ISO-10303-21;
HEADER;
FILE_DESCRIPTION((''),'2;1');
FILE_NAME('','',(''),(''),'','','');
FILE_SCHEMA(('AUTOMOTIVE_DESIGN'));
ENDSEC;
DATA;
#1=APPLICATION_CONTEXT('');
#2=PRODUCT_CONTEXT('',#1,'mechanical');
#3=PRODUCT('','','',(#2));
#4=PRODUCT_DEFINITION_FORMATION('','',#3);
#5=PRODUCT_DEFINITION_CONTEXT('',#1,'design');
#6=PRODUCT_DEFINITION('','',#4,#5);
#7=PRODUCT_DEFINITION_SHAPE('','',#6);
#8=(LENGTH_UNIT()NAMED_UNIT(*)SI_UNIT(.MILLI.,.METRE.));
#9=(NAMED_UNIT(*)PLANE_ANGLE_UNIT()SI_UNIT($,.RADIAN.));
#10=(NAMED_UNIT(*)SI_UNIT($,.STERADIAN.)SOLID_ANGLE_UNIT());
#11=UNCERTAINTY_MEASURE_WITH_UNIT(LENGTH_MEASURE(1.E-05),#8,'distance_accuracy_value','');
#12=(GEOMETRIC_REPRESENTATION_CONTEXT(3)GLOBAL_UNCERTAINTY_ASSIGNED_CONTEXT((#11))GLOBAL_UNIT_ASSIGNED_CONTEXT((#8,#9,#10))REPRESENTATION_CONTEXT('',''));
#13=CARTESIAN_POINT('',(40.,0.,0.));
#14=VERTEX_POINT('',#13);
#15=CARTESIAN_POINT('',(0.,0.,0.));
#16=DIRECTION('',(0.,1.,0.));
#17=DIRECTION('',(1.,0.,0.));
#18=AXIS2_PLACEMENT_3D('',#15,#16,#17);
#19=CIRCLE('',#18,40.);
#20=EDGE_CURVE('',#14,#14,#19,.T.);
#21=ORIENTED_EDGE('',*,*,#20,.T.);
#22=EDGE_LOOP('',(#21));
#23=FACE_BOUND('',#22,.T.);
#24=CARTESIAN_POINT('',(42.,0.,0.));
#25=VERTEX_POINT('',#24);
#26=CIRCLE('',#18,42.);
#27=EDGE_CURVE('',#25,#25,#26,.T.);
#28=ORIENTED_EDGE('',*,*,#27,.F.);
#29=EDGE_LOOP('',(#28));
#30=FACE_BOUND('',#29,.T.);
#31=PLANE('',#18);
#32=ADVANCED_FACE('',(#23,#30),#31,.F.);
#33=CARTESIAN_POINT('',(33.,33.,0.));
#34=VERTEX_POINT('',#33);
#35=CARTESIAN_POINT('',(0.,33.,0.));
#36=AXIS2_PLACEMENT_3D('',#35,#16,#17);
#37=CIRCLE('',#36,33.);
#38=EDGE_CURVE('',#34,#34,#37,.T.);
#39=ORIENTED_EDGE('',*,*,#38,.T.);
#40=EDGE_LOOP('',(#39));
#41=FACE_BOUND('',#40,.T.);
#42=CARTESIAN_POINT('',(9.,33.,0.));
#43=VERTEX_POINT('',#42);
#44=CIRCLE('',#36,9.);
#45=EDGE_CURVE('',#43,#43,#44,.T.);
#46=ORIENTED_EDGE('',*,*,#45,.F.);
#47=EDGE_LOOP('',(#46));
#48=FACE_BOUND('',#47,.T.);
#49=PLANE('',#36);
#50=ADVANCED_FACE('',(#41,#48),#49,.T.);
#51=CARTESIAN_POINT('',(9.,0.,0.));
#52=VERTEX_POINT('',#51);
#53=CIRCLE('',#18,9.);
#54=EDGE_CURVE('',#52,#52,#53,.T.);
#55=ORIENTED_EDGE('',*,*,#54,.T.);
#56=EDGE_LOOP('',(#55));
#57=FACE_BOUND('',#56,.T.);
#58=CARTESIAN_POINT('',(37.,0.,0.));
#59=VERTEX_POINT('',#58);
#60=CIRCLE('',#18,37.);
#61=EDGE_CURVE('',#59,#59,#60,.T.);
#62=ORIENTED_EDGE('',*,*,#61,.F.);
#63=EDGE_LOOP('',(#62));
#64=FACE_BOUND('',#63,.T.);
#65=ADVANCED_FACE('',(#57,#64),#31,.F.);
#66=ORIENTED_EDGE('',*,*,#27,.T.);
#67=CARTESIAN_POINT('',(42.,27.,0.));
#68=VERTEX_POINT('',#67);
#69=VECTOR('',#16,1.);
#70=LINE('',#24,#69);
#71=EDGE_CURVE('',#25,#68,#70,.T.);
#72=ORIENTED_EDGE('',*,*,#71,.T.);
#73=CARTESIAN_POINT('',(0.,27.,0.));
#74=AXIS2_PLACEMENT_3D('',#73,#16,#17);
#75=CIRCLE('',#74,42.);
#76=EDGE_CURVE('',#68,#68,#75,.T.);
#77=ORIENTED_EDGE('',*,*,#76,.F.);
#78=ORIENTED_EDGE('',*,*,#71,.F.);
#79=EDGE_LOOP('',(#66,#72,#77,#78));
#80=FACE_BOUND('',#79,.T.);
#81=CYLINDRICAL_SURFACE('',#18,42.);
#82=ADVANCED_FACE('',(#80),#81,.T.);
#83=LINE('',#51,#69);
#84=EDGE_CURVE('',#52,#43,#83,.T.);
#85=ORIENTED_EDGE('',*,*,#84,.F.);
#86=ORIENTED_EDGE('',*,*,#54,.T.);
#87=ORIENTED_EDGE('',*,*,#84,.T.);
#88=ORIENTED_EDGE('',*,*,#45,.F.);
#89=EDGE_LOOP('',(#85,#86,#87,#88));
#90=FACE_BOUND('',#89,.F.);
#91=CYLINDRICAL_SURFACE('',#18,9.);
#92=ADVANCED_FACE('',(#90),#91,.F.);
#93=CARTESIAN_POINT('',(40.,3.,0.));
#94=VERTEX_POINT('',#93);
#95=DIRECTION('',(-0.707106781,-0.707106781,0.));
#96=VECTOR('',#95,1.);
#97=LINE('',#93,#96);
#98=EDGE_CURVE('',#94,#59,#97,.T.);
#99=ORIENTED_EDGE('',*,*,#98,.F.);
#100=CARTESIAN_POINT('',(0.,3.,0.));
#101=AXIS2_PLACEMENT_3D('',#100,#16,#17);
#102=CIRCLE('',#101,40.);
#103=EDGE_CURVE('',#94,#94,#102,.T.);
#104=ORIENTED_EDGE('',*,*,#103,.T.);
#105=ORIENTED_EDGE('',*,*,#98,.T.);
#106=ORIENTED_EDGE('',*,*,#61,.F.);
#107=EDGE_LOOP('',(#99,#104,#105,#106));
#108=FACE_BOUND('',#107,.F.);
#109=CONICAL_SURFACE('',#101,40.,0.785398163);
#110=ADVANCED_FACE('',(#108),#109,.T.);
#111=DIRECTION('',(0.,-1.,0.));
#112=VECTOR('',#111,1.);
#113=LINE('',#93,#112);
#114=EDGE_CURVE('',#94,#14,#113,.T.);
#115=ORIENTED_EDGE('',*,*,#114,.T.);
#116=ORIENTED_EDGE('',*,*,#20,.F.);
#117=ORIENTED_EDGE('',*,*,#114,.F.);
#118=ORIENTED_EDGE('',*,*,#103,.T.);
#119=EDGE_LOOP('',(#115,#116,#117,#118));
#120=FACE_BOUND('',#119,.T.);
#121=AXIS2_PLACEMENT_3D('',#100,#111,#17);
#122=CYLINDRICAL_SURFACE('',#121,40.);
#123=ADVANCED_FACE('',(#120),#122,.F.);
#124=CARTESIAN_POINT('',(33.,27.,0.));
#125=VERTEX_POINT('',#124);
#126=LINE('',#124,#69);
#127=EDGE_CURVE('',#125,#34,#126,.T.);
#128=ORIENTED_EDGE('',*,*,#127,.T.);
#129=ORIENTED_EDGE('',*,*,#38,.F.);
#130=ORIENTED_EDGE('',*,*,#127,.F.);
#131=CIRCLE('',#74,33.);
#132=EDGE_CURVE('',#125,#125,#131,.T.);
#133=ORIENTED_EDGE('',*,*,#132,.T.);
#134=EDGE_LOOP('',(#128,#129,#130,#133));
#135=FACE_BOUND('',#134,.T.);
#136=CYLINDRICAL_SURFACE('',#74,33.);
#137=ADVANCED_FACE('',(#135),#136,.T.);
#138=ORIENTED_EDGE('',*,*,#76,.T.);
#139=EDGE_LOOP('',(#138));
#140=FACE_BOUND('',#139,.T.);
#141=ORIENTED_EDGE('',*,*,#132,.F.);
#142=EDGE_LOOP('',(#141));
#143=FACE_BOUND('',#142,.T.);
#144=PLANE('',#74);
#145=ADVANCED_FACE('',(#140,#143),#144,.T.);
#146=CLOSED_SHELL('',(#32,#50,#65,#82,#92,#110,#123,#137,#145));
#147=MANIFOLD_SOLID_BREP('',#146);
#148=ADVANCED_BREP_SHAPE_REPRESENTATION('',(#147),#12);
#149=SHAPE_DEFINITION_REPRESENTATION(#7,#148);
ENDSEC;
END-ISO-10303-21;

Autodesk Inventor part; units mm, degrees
ref_plane "YZ Plane" through (0, 0, 0) normal (1, 0, 0) x (0, 1, 0)
ref_plane "XZ Plane" through (0, 0, 0) normal (0, 1, 0) x (-1, 0, 0)
ref_plane "XY Plane" through (0, 0, 0) normal (0, 0, 1) x (1, 0, 0)
sketch "Boceto1" plane through (0, 0, 0) normal (0, 0, 1) x (1, 0, 0)
  line L0 (0, 0) -> (9, 0) construction
  line L1 (9, 0) -> (9, 33)
  line L2 (42, 0) -> (42, 27)
  line L3 (42, 27) -> (33, 27)
  line L4 (33, 27) -> (33, 33)
  line L5 (33, 33) -> (9, 33)
  line L6 (42, 0) -> (42, 3) construction
  line L7 (42, 3) -> (40, 3) construction
  line L8 (40, 3) -> (37, 0)
  line L9 (40, 3) -> (43.5355, 3) construction
  line L10 (40, 3) -> (40, 0)
  line L11 (9, 0) -> (37, 0)
  line L12 (40, 0) -> (42, 0)
  line L13 (0, 0) -> (0, 41.2707) construction
  dimension "d0" = 9
  dimension "d1" = 33
  dimension "d2" = 33
  dimension "d3" = 27
  dimension "d4" = 9
  dimension "d5" = 3
  dimension "d6" = 2
  dimension "d7" = 135
  dimension "d8" = 6
revolve "Revolución1" add sketch "Boceto1" angle 360 about axis through (0, 0, 0) along (0, 1, 0)
properties part number "6_Piston"
